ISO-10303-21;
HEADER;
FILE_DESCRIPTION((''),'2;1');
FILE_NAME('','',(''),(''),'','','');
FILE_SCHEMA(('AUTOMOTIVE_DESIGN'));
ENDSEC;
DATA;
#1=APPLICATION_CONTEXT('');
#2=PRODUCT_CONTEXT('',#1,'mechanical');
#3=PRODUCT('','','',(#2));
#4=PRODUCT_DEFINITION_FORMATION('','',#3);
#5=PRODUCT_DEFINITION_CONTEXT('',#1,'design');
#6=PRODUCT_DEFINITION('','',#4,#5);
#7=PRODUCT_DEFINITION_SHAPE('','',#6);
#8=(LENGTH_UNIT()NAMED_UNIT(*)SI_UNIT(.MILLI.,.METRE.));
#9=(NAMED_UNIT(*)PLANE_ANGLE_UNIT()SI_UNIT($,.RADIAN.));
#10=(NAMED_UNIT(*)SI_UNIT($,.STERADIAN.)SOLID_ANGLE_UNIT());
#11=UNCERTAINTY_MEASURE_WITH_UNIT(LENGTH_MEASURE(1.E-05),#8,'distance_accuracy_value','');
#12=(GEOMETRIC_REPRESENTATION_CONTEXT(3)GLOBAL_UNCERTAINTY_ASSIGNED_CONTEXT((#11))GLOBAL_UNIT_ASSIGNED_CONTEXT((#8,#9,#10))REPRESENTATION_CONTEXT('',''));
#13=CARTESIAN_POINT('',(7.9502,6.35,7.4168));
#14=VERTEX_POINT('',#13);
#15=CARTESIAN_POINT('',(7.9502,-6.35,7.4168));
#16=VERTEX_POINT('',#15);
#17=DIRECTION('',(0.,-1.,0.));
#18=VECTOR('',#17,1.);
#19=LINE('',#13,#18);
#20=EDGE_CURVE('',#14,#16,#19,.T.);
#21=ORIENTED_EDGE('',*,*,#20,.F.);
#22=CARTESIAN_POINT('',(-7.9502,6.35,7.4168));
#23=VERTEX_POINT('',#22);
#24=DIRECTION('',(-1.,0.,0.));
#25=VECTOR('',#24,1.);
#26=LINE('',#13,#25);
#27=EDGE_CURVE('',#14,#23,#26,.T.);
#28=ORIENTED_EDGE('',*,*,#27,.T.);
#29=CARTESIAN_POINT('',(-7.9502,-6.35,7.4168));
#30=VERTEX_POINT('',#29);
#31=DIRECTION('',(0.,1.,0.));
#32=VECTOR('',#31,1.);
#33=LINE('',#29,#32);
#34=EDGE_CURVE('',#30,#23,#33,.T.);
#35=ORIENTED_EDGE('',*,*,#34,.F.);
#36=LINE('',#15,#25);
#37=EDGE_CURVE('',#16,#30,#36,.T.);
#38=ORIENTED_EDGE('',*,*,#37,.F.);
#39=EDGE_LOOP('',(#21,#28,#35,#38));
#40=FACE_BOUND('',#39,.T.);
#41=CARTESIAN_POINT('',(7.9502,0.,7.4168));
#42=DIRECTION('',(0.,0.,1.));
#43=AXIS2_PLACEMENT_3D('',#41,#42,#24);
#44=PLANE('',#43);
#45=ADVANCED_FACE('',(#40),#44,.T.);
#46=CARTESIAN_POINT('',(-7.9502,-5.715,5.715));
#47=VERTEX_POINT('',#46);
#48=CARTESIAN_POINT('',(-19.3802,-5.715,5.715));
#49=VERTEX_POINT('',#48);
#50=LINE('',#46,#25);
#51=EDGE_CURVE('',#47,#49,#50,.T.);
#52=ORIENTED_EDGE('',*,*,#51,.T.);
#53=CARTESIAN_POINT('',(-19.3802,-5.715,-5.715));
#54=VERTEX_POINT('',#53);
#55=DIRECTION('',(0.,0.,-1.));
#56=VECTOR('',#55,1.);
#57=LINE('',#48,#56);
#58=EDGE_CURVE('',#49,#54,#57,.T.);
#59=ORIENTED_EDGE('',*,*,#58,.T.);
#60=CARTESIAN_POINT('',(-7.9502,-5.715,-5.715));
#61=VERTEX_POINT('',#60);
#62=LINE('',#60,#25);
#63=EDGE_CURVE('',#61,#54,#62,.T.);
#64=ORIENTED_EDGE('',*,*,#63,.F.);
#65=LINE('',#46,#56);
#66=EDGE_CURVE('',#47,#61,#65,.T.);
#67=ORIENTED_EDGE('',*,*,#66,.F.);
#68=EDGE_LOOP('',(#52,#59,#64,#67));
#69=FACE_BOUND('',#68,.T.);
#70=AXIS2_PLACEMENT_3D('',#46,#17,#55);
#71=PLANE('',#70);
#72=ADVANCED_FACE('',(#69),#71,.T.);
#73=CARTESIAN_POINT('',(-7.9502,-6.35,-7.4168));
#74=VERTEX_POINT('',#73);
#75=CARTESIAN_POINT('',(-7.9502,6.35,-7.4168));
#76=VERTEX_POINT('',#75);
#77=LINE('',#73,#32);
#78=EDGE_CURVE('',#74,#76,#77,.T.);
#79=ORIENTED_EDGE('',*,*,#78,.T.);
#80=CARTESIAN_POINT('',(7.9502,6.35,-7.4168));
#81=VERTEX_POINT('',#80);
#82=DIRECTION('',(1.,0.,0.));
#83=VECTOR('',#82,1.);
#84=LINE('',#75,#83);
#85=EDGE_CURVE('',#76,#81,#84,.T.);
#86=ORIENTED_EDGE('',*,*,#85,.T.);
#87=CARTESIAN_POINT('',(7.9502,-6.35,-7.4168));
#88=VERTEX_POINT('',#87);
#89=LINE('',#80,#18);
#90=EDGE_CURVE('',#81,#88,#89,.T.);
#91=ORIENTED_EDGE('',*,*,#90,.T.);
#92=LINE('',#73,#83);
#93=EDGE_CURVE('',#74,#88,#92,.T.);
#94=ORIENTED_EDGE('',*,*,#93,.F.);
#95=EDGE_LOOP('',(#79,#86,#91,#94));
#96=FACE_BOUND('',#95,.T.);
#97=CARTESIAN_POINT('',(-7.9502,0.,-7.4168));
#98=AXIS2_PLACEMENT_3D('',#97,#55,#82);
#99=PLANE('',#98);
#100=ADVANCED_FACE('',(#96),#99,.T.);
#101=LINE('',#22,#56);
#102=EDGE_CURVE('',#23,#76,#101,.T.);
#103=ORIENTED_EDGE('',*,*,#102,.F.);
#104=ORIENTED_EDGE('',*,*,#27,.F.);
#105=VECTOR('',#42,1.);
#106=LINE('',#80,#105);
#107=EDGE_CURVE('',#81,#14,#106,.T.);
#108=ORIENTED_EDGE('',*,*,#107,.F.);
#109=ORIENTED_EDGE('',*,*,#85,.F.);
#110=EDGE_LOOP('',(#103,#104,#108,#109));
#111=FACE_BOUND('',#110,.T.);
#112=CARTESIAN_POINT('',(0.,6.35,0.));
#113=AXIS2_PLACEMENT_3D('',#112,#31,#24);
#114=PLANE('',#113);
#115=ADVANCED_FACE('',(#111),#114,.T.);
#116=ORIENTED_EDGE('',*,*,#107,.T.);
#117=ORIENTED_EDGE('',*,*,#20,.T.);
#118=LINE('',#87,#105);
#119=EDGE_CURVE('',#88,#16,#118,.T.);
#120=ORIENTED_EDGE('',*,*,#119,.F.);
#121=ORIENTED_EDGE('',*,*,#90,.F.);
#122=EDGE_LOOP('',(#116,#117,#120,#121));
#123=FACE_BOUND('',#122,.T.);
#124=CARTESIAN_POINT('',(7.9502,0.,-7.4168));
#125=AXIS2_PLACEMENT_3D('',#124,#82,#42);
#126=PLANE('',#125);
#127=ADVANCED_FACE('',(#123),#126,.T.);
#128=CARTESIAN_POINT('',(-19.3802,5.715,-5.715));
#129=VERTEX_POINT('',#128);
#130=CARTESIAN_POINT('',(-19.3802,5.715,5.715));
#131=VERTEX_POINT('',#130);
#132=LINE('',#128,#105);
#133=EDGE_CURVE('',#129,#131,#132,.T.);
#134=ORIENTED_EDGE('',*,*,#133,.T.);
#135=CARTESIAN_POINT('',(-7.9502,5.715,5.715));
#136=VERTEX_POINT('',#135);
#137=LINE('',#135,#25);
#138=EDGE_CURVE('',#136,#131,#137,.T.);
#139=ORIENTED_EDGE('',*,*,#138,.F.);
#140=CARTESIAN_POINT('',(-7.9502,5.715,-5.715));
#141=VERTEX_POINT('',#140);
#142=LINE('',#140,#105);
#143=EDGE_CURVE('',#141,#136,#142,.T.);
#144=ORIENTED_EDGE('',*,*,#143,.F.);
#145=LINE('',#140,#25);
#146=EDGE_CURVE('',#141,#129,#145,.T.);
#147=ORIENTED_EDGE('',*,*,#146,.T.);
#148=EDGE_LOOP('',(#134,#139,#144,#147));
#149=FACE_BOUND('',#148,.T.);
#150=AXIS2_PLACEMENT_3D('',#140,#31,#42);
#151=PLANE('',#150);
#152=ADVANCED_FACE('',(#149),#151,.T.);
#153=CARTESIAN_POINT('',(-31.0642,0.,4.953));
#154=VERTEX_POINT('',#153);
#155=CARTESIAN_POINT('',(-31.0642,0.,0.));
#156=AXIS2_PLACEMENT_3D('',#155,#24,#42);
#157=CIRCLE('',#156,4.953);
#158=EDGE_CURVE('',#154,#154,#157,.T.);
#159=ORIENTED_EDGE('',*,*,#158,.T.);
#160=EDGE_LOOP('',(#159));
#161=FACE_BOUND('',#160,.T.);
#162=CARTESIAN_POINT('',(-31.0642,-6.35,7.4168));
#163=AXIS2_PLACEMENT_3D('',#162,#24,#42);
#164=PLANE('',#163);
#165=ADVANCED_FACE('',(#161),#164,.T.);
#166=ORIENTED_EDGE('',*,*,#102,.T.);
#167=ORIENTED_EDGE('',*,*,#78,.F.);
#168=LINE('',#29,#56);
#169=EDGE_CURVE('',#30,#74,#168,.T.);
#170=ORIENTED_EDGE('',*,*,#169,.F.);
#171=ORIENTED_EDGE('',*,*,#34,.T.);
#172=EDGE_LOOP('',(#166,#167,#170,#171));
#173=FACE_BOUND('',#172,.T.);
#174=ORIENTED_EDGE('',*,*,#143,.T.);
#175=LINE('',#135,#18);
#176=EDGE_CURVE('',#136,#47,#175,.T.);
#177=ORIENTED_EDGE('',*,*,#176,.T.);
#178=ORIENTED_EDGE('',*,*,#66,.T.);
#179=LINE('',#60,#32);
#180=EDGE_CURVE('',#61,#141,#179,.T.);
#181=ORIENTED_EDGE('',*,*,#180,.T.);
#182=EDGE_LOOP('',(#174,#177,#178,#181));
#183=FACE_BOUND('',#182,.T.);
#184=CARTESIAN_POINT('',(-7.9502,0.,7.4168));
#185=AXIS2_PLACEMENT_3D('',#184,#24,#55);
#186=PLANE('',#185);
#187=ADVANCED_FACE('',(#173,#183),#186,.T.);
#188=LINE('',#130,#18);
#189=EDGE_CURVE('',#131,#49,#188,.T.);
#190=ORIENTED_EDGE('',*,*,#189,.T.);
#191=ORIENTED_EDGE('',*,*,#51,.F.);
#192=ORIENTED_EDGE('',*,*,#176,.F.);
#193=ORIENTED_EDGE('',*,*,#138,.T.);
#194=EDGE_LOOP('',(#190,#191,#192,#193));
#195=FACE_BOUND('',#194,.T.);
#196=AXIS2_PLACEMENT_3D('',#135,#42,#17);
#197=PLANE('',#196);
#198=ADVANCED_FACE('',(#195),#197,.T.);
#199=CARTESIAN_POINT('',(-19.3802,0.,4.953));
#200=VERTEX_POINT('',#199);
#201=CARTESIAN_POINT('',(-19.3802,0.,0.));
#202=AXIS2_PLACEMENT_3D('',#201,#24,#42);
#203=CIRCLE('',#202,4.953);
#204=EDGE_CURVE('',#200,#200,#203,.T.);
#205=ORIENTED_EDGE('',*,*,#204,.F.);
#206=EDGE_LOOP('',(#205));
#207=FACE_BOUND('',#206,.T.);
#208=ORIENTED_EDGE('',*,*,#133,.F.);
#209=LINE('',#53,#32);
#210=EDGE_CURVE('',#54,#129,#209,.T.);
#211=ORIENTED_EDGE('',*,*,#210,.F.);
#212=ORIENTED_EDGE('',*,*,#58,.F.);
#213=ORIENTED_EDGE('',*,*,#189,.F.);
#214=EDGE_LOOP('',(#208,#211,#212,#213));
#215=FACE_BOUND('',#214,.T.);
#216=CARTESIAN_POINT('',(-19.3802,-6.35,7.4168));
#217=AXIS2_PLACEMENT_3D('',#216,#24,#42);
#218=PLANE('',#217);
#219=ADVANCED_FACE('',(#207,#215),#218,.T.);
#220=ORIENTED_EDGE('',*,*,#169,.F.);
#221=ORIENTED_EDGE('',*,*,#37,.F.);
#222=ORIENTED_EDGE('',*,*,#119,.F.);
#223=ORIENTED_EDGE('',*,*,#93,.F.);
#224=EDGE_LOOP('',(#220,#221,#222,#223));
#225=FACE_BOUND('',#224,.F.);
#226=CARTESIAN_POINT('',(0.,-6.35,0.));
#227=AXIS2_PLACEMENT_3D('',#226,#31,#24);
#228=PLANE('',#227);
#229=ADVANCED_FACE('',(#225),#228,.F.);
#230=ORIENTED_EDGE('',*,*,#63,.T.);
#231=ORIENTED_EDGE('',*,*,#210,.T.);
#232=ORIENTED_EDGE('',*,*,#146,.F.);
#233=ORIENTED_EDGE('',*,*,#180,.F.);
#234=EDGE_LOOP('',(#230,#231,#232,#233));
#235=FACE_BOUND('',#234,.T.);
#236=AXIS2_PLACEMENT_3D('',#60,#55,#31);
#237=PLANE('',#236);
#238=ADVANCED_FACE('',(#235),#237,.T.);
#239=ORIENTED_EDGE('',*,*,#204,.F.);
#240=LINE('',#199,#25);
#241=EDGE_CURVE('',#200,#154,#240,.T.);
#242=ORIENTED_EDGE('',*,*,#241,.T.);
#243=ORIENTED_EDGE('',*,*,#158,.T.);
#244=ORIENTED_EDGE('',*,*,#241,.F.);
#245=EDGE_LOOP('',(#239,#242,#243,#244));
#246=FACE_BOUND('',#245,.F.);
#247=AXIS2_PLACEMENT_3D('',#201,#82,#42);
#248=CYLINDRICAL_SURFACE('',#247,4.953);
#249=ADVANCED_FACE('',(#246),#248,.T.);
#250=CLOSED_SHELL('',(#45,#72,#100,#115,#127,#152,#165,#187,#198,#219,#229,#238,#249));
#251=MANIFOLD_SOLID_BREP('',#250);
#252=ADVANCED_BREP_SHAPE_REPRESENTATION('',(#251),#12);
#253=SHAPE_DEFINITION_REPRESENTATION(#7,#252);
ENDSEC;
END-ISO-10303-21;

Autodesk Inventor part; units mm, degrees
ref_plane "YZ Plane" through (0, 0, 0) normal (1, 0, 0) x (0, 1, 0)
ref_plane "XZ Plane" through (0, 0, 0) normal (0, 1, 0) x (-1, 0, 0)
ref_plane "XY Plane" through (0, 0, 0) normal (0, 0, 1) x (1, 0, 0)
sketch "Sketch1" plane through (0, 0, 0) normal (0, 1, 0) x (-1, 0, 0)
  line L0 (7.9502, -7.4168) -> (-7.9502, -7.4168)
  line L1 (-7.9502, -7.4168) -> (-7.9502, 7.4168)
  line L2 (-7.9502, 7.4168) -> (7.9502, 7.4168)
  line L3 (7.9502, 7.4168) -> (7.9502, -7.4168)
  point P0 (0, 0)
  point P1 (7.9502, 0)
  point P2 (0, -7.4168)
  dimension "d0" = 14.8336
  dimension "d1" = 15.9004
extrude "Extrusion1" add sketch "Sketch1" along normal mid plane 12.7
sketch "Sketch2" plane through (-7.9502, -6.35, 7.4168) normal (-1, 0, 0) x (0, 0, 1)
  line L0 (0, 0) -> (0, 12.7) projected
  line L1 (-14.8336, 12.7) -> (0, 12.7) projected
  line L2 (-14.8336, 0) -> (-14.8336, 12.7) projected
  line L3 (0, 0) -> (-14.8336, 0) projected
  line L4 (-13.1318, 12.065) -> (-1.7018, 12.065)
  line L5 (-1.7018, 12.065) -> (-1.7018, 0.635)
  line L6 (-1.7018, 0.635) -> (-13.1318, 0.635)
  line L7 (-13.1318, 0.635) -> (-13.1318, 12.065)
  point P0 (-7.4168, 6.35)
  point P1 (-13.1318, 6.35)
  point P2 (-7.4168, 12.065)
  dimension "d11" = 11.43
  dimension "d12" = 11.43
extrude "Extrusion2" add sketch "Sketch2" along normal blind 11.43 contours L4 L5 L6 L7
sketch "Sketch3" plane through (-19.3802, -6.35, 7.4168) normal (-1, 0, 0) x (0, 0, 1)
  circle A0 centre (-7.4168, 6.35) radius 4.953
  dimension "d10" = 9.906
extrude "Extrusion3" add sketch "Sketch3" along normal blind 11.684
equation "\"d12\" = d11"
properties part number "Plug"
